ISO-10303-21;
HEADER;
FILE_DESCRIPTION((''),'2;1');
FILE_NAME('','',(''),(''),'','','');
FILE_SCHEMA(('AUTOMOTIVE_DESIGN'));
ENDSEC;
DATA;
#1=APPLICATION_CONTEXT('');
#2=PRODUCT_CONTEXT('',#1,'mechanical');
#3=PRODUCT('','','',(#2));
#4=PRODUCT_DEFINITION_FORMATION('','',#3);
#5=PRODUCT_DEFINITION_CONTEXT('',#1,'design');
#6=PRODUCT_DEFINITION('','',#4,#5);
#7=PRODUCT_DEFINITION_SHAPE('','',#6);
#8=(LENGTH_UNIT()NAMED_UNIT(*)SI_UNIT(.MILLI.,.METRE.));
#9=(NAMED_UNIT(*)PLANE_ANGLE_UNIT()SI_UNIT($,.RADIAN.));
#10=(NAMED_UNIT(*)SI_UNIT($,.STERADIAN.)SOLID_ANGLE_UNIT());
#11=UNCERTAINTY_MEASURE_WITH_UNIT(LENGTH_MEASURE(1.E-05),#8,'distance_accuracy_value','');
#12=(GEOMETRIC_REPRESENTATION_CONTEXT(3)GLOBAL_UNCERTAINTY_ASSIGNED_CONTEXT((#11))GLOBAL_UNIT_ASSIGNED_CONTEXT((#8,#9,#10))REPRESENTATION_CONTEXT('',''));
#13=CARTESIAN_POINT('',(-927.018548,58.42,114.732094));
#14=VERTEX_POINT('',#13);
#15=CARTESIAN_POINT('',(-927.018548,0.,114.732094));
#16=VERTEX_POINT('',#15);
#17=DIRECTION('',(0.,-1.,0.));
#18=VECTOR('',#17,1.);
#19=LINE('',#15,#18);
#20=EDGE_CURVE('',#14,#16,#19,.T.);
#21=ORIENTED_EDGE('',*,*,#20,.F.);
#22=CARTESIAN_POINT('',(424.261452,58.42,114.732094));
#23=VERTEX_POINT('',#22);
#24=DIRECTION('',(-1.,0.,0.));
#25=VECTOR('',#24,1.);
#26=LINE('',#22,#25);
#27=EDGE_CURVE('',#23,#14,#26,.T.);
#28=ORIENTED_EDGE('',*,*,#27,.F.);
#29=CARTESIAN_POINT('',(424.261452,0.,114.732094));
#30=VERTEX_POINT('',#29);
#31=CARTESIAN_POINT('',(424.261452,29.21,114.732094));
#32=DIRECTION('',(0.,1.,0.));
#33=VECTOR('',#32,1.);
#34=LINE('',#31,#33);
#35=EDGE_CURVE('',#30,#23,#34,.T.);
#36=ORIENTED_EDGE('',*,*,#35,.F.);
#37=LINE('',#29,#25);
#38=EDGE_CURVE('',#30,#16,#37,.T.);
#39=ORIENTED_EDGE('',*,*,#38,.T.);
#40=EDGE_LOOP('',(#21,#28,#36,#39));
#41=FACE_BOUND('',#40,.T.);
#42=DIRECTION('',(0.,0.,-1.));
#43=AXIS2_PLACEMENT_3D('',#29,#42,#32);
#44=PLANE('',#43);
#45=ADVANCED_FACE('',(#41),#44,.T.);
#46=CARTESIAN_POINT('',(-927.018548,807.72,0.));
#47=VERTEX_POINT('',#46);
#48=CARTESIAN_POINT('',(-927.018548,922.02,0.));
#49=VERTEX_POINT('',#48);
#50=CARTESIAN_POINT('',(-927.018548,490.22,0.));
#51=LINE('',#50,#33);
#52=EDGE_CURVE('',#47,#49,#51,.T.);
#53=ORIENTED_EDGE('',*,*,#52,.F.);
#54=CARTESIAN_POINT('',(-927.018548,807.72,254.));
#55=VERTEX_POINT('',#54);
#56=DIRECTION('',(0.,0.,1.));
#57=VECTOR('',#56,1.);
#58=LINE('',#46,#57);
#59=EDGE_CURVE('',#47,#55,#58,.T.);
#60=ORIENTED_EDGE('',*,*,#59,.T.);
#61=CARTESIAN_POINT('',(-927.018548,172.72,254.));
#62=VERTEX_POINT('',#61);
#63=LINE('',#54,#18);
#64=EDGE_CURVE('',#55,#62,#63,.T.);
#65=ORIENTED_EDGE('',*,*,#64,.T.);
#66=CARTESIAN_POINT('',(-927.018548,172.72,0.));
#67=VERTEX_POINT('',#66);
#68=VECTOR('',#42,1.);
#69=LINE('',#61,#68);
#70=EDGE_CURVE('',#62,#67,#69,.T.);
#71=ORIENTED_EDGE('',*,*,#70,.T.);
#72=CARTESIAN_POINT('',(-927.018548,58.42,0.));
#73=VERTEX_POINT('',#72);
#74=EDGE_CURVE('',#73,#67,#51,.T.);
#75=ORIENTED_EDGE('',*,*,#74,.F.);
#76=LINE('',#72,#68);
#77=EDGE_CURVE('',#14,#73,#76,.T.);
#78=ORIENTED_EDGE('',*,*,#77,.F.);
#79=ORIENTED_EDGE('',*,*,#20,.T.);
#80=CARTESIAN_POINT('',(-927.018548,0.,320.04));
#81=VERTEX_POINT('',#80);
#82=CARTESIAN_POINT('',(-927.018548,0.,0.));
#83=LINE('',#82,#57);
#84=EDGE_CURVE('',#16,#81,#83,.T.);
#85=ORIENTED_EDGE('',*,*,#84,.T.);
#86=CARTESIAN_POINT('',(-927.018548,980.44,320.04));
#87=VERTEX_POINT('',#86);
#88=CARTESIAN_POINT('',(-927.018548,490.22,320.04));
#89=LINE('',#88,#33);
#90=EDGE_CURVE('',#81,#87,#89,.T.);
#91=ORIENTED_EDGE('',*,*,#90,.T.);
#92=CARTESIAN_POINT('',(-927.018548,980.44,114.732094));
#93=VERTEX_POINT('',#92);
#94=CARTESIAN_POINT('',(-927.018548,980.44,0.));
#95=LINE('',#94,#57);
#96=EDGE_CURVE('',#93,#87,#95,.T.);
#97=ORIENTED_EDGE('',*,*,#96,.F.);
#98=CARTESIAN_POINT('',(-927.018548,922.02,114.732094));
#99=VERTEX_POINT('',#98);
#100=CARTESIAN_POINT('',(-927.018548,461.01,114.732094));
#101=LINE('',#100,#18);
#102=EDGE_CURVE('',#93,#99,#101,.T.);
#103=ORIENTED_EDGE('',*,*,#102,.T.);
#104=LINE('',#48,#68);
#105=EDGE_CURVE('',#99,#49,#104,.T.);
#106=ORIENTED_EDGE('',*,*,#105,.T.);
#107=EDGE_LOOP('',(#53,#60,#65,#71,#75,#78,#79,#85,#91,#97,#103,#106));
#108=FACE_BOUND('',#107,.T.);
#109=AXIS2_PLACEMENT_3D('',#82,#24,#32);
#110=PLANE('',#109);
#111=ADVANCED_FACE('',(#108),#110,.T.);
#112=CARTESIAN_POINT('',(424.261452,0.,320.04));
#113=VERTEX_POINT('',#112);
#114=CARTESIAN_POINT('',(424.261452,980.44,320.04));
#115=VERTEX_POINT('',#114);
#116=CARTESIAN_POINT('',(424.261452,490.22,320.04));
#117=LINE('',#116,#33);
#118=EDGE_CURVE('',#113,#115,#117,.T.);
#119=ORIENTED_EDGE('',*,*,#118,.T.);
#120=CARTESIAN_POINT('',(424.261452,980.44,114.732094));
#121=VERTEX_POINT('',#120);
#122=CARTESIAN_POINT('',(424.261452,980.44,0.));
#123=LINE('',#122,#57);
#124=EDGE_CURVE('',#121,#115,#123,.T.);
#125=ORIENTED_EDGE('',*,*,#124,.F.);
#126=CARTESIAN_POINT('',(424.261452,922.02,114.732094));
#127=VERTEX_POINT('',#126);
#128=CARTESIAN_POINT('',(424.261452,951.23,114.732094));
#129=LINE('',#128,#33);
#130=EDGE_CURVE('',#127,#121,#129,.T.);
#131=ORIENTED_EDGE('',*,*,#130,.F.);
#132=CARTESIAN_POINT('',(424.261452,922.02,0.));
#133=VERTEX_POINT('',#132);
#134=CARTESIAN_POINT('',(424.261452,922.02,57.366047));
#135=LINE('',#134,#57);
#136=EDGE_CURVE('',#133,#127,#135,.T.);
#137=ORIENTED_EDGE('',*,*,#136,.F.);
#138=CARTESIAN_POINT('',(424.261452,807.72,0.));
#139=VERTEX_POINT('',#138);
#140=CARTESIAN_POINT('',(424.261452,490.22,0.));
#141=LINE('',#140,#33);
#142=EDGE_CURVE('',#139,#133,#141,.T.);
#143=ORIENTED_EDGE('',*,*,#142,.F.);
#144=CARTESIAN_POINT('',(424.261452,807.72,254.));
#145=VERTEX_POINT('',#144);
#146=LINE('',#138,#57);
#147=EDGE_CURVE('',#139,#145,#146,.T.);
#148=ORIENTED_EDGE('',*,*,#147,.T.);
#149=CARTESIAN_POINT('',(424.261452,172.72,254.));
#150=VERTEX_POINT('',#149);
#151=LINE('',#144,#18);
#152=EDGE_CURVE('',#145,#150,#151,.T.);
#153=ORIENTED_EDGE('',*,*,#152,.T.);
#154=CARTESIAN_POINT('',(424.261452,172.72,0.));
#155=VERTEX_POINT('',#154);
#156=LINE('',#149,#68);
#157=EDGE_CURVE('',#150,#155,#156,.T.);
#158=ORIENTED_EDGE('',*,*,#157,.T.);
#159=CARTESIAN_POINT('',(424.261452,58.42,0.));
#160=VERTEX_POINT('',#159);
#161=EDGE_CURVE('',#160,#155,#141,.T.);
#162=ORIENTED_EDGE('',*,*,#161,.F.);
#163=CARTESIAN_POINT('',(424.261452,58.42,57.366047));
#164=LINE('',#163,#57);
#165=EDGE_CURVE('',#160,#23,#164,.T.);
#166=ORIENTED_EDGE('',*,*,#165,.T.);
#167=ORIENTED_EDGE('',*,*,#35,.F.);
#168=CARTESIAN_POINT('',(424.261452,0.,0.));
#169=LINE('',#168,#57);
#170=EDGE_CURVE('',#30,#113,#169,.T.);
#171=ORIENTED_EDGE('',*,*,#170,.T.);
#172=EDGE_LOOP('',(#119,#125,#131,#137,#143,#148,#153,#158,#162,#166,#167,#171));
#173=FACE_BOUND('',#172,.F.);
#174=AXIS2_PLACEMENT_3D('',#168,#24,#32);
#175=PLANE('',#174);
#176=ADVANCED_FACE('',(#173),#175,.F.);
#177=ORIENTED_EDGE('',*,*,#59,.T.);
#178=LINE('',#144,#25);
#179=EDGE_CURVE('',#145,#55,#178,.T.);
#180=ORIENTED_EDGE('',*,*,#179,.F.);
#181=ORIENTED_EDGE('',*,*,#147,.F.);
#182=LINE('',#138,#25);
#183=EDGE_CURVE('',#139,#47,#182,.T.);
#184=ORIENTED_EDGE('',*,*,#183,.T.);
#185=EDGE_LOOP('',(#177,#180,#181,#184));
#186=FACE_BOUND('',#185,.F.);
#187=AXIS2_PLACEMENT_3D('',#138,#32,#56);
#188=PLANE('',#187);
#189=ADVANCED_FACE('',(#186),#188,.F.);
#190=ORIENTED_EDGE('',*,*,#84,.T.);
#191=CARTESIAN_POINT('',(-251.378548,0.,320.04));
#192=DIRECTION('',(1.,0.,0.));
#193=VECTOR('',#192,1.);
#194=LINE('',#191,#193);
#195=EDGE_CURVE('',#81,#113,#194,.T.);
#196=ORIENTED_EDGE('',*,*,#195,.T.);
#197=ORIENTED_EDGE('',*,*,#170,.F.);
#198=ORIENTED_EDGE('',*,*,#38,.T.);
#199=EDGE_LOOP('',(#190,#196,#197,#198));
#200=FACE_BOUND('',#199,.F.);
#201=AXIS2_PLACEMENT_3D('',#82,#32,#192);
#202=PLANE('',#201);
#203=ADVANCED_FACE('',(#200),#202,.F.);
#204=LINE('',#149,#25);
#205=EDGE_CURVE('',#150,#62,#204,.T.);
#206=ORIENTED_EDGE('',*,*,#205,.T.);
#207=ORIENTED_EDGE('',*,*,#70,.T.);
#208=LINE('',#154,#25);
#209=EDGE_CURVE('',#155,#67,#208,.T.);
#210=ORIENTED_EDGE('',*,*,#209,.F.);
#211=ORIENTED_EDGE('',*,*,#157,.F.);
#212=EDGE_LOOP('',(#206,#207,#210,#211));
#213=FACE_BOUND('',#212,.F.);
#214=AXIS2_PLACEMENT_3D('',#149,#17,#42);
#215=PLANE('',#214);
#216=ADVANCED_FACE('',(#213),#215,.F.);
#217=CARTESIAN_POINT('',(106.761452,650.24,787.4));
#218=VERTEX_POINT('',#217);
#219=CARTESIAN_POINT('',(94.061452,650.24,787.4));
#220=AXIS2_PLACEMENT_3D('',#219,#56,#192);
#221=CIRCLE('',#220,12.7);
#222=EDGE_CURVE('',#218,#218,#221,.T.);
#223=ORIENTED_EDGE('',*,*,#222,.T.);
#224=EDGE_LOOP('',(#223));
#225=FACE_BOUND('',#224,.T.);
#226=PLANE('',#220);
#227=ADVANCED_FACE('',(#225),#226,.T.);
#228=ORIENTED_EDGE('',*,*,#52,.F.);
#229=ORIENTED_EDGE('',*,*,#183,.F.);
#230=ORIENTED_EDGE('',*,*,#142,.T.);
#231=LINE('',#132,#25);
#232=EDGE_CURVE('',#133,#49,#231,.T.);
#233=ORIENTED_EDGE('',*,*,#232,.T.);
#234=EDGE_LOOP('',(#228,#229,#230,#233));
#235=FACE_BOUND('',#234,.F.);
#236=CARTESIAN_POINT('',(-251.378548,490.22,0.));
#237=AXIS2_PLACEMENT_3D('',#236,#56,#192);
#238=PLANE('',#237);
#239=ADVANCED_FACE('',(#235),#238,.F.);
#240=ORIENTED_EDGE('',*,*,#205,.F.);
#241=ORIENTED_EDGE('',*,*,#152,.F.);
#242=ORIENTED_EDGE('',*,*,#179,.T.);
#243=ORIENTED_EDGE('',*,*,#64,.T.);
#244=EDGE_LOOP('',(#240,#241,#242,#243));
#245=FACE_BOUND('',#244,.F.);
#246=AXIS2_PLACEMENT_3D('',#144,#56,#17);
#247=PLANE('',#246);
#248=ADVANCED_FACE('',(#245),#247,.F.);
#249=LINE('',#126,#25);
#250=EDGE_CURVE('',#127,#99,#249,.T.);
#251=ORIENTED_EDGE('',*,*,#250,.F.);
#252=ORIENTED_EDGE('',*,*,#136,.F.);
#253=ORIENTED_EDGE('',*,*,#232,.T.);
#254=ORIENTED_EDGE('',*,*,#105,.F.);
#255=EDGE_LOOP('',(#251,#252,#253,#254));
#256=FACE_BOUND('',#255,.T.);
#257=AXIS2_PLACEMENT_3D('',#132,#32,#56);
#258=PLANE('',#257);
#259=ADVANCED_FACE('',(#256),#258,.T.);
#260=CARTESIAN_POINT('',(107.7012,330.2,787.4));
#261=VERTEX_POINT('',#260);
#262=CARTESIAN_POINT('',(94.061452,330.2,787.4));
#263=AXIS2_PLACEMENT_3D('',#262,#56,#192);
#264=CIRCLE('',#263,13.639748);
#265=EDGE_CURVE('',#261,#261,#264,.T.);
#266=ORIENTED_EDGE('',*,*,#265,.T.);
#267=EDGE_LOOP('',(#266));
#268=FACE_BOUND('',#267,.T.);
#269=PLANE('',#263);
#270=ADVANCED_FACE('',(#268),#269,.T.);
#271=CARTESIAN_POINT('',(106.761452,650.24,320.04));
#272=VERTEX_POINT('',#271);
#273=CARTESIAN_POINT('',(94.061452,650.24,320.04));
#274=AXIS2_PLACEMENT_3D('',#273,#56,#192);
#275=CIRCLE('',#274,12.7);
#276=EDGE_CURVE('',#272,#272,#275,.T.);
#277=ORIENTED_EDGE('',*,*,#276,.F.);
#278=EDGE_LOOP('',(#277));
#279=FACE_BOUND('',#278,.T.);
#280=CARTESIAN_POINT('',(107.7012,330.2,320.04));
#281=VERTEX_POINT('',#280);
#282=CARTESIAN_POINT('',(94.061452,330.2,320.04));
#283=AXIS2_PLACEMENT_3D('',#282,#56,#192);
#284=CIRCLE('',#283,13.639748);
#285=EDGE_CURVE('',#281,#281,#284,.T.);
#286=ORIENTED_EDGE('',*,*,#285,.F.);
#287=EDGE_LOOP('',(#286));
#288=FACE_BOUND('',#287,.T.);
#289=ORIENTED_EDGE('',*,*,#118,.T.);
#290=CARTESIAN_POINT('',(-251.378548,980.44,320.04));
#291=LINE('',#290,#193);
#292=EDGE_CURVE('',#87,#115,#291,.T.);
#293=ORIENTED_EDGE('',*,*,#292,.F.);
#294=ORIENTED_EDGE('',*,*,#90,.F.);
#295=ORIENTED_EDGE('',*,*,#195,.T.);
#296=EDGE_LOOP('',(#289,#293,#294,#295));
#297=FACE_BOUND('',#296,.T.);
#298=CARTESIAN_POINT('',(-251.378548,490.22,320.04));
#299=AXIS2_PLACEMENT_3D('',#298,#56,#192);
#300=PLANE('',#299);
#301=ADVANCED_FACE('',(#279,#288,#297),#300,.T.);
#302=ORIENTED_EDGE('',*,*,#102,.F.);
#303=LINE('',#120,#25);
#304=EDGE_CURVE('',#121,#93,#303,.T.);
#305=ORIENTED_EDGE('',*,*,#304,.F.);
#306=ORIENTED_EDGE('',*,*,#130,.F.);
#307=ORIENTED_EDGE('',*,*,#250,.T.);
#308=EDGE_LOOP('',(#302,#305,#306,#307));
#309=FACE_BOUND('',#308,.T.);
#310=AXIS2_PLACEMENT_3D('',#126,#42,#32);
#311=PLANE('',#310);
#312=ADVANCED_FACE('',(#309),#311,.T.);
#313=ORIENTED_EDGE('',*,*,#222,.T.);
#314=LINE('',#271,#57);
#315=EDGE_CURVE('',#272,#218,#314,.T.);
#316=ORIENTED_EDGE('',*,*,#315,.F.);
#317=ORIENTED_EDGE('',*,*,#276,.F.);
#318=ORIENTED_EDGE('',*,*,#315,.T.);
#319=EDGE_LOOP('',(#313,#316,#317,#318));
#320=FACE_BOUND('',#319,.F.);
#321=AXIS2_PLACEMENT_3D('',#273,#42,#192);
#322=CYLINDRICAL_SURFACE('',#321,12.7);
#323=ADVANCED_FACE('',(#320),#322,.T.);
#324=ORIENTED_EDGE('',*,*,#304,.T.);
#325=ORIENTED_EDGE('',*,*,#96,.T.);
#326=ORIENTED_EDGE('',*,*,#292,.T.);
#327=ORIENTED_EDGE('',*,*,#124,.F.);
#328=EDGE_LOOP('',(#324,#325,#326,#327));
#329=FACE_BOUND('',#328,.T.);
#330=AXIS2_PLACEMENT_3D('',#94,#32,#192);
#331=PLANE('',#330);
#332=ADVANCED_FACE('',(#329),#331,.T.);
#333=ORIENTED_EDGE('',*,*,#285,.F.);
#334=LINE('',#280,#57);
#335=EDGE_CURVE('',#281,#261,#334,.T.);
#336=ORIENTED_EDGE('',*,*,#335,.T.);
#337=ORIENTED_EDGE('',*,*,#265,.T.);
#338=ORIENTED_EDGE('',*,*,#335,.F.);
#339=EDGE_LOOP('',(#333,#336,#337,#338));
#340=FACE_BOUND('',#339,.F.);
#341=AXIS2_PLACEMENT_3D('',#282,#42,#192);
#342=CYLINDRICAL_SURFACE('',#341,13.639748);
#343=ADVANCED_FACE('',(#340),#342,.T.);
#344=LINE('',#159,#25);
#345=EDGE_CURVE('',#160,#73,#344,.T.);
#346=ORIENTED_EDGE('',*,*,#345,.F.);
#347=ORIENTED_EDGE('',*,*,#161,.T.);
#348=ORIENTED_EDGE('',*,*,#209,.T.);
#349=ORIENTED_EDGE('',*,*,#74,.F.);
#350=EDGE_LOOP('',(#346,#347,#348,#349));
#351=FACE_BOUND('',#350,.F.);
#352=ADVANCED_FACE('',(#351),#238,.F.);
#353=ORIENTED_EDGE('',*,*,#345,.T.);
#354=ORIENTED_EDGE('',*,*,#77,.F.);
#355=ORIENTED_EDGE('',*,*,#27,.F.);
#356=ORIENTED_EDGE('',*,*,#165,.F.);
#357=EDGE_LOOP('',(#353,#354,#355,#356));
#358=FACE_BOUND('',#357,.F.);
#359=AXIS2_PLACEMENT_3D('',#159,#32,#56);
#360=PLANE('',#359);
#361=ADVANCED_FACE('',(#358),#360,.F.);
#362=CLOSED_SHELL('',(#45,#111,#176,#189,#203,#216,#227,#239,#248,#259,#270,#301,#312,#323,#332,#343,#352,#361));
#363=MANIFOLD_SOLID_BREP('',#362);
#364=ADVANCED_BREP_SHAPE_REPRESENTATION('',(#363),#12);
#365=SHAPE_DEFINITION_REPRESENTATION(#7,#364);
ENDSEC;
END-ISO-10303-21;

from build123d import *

# Parameters (mm, degrees)
F0_W     = 1351.28
F0_H     = 980.44
F1_DEPTH = 320.04
F2_R     = 12.7
F2_R_2   = 13.639748
F3_DEPTH = 467.36
F5_DEPTH = 1351.28
F6_W     = 58.42
F6_H     = 114.732094
F7_DEPTH = 1356.36


with BuildPart() as f1:
    # F0 (on Top) → F1 (new body)
    with BuildSketch(Plane.XY):
        with Locations((-251.378548, 490.22)):
            Rectangle(F0_W, F0_H)
    extrude(amount=F1_DEPTH)

    # F2 (on face) → F3 (join)
    with BuildSketch(Plane.XY.offset(320.04)):
        with Locations((94.061452, 650.24)):
            Circle(F2_R)
        with Locations((94.061452, 330.2)):
            Circle(F2_R_2)
    extrude(amount=F3_DEPTH)

    # F4 (on face) → F5 (cut)
    with BuildSketch(Plane.YZ.offset(424.261452)):
        Polygon((807.72, 254), (490.22, 254), (172.72, 254), (172.72, 0), (490.22, 0), (807.72, 0), align=None)
    extrude(amount=-F5_DEPTH, mode=Mode.SUBTRACT)

    # F6 (on face) → F7 (cut)
    with BuildSketch(Plane.YZ.offset(424.261452)):
        with Locations((29.21, 57.366047)):
            Rectangle(F6_W, F6_H)
        with Locations((951.23, 57.366047)):
            Rectangle(F6_W, F6_H)
    extrude(amount=-F7_DEPTH, mode=Mode.SUBTRACT)


solid = f1.part
